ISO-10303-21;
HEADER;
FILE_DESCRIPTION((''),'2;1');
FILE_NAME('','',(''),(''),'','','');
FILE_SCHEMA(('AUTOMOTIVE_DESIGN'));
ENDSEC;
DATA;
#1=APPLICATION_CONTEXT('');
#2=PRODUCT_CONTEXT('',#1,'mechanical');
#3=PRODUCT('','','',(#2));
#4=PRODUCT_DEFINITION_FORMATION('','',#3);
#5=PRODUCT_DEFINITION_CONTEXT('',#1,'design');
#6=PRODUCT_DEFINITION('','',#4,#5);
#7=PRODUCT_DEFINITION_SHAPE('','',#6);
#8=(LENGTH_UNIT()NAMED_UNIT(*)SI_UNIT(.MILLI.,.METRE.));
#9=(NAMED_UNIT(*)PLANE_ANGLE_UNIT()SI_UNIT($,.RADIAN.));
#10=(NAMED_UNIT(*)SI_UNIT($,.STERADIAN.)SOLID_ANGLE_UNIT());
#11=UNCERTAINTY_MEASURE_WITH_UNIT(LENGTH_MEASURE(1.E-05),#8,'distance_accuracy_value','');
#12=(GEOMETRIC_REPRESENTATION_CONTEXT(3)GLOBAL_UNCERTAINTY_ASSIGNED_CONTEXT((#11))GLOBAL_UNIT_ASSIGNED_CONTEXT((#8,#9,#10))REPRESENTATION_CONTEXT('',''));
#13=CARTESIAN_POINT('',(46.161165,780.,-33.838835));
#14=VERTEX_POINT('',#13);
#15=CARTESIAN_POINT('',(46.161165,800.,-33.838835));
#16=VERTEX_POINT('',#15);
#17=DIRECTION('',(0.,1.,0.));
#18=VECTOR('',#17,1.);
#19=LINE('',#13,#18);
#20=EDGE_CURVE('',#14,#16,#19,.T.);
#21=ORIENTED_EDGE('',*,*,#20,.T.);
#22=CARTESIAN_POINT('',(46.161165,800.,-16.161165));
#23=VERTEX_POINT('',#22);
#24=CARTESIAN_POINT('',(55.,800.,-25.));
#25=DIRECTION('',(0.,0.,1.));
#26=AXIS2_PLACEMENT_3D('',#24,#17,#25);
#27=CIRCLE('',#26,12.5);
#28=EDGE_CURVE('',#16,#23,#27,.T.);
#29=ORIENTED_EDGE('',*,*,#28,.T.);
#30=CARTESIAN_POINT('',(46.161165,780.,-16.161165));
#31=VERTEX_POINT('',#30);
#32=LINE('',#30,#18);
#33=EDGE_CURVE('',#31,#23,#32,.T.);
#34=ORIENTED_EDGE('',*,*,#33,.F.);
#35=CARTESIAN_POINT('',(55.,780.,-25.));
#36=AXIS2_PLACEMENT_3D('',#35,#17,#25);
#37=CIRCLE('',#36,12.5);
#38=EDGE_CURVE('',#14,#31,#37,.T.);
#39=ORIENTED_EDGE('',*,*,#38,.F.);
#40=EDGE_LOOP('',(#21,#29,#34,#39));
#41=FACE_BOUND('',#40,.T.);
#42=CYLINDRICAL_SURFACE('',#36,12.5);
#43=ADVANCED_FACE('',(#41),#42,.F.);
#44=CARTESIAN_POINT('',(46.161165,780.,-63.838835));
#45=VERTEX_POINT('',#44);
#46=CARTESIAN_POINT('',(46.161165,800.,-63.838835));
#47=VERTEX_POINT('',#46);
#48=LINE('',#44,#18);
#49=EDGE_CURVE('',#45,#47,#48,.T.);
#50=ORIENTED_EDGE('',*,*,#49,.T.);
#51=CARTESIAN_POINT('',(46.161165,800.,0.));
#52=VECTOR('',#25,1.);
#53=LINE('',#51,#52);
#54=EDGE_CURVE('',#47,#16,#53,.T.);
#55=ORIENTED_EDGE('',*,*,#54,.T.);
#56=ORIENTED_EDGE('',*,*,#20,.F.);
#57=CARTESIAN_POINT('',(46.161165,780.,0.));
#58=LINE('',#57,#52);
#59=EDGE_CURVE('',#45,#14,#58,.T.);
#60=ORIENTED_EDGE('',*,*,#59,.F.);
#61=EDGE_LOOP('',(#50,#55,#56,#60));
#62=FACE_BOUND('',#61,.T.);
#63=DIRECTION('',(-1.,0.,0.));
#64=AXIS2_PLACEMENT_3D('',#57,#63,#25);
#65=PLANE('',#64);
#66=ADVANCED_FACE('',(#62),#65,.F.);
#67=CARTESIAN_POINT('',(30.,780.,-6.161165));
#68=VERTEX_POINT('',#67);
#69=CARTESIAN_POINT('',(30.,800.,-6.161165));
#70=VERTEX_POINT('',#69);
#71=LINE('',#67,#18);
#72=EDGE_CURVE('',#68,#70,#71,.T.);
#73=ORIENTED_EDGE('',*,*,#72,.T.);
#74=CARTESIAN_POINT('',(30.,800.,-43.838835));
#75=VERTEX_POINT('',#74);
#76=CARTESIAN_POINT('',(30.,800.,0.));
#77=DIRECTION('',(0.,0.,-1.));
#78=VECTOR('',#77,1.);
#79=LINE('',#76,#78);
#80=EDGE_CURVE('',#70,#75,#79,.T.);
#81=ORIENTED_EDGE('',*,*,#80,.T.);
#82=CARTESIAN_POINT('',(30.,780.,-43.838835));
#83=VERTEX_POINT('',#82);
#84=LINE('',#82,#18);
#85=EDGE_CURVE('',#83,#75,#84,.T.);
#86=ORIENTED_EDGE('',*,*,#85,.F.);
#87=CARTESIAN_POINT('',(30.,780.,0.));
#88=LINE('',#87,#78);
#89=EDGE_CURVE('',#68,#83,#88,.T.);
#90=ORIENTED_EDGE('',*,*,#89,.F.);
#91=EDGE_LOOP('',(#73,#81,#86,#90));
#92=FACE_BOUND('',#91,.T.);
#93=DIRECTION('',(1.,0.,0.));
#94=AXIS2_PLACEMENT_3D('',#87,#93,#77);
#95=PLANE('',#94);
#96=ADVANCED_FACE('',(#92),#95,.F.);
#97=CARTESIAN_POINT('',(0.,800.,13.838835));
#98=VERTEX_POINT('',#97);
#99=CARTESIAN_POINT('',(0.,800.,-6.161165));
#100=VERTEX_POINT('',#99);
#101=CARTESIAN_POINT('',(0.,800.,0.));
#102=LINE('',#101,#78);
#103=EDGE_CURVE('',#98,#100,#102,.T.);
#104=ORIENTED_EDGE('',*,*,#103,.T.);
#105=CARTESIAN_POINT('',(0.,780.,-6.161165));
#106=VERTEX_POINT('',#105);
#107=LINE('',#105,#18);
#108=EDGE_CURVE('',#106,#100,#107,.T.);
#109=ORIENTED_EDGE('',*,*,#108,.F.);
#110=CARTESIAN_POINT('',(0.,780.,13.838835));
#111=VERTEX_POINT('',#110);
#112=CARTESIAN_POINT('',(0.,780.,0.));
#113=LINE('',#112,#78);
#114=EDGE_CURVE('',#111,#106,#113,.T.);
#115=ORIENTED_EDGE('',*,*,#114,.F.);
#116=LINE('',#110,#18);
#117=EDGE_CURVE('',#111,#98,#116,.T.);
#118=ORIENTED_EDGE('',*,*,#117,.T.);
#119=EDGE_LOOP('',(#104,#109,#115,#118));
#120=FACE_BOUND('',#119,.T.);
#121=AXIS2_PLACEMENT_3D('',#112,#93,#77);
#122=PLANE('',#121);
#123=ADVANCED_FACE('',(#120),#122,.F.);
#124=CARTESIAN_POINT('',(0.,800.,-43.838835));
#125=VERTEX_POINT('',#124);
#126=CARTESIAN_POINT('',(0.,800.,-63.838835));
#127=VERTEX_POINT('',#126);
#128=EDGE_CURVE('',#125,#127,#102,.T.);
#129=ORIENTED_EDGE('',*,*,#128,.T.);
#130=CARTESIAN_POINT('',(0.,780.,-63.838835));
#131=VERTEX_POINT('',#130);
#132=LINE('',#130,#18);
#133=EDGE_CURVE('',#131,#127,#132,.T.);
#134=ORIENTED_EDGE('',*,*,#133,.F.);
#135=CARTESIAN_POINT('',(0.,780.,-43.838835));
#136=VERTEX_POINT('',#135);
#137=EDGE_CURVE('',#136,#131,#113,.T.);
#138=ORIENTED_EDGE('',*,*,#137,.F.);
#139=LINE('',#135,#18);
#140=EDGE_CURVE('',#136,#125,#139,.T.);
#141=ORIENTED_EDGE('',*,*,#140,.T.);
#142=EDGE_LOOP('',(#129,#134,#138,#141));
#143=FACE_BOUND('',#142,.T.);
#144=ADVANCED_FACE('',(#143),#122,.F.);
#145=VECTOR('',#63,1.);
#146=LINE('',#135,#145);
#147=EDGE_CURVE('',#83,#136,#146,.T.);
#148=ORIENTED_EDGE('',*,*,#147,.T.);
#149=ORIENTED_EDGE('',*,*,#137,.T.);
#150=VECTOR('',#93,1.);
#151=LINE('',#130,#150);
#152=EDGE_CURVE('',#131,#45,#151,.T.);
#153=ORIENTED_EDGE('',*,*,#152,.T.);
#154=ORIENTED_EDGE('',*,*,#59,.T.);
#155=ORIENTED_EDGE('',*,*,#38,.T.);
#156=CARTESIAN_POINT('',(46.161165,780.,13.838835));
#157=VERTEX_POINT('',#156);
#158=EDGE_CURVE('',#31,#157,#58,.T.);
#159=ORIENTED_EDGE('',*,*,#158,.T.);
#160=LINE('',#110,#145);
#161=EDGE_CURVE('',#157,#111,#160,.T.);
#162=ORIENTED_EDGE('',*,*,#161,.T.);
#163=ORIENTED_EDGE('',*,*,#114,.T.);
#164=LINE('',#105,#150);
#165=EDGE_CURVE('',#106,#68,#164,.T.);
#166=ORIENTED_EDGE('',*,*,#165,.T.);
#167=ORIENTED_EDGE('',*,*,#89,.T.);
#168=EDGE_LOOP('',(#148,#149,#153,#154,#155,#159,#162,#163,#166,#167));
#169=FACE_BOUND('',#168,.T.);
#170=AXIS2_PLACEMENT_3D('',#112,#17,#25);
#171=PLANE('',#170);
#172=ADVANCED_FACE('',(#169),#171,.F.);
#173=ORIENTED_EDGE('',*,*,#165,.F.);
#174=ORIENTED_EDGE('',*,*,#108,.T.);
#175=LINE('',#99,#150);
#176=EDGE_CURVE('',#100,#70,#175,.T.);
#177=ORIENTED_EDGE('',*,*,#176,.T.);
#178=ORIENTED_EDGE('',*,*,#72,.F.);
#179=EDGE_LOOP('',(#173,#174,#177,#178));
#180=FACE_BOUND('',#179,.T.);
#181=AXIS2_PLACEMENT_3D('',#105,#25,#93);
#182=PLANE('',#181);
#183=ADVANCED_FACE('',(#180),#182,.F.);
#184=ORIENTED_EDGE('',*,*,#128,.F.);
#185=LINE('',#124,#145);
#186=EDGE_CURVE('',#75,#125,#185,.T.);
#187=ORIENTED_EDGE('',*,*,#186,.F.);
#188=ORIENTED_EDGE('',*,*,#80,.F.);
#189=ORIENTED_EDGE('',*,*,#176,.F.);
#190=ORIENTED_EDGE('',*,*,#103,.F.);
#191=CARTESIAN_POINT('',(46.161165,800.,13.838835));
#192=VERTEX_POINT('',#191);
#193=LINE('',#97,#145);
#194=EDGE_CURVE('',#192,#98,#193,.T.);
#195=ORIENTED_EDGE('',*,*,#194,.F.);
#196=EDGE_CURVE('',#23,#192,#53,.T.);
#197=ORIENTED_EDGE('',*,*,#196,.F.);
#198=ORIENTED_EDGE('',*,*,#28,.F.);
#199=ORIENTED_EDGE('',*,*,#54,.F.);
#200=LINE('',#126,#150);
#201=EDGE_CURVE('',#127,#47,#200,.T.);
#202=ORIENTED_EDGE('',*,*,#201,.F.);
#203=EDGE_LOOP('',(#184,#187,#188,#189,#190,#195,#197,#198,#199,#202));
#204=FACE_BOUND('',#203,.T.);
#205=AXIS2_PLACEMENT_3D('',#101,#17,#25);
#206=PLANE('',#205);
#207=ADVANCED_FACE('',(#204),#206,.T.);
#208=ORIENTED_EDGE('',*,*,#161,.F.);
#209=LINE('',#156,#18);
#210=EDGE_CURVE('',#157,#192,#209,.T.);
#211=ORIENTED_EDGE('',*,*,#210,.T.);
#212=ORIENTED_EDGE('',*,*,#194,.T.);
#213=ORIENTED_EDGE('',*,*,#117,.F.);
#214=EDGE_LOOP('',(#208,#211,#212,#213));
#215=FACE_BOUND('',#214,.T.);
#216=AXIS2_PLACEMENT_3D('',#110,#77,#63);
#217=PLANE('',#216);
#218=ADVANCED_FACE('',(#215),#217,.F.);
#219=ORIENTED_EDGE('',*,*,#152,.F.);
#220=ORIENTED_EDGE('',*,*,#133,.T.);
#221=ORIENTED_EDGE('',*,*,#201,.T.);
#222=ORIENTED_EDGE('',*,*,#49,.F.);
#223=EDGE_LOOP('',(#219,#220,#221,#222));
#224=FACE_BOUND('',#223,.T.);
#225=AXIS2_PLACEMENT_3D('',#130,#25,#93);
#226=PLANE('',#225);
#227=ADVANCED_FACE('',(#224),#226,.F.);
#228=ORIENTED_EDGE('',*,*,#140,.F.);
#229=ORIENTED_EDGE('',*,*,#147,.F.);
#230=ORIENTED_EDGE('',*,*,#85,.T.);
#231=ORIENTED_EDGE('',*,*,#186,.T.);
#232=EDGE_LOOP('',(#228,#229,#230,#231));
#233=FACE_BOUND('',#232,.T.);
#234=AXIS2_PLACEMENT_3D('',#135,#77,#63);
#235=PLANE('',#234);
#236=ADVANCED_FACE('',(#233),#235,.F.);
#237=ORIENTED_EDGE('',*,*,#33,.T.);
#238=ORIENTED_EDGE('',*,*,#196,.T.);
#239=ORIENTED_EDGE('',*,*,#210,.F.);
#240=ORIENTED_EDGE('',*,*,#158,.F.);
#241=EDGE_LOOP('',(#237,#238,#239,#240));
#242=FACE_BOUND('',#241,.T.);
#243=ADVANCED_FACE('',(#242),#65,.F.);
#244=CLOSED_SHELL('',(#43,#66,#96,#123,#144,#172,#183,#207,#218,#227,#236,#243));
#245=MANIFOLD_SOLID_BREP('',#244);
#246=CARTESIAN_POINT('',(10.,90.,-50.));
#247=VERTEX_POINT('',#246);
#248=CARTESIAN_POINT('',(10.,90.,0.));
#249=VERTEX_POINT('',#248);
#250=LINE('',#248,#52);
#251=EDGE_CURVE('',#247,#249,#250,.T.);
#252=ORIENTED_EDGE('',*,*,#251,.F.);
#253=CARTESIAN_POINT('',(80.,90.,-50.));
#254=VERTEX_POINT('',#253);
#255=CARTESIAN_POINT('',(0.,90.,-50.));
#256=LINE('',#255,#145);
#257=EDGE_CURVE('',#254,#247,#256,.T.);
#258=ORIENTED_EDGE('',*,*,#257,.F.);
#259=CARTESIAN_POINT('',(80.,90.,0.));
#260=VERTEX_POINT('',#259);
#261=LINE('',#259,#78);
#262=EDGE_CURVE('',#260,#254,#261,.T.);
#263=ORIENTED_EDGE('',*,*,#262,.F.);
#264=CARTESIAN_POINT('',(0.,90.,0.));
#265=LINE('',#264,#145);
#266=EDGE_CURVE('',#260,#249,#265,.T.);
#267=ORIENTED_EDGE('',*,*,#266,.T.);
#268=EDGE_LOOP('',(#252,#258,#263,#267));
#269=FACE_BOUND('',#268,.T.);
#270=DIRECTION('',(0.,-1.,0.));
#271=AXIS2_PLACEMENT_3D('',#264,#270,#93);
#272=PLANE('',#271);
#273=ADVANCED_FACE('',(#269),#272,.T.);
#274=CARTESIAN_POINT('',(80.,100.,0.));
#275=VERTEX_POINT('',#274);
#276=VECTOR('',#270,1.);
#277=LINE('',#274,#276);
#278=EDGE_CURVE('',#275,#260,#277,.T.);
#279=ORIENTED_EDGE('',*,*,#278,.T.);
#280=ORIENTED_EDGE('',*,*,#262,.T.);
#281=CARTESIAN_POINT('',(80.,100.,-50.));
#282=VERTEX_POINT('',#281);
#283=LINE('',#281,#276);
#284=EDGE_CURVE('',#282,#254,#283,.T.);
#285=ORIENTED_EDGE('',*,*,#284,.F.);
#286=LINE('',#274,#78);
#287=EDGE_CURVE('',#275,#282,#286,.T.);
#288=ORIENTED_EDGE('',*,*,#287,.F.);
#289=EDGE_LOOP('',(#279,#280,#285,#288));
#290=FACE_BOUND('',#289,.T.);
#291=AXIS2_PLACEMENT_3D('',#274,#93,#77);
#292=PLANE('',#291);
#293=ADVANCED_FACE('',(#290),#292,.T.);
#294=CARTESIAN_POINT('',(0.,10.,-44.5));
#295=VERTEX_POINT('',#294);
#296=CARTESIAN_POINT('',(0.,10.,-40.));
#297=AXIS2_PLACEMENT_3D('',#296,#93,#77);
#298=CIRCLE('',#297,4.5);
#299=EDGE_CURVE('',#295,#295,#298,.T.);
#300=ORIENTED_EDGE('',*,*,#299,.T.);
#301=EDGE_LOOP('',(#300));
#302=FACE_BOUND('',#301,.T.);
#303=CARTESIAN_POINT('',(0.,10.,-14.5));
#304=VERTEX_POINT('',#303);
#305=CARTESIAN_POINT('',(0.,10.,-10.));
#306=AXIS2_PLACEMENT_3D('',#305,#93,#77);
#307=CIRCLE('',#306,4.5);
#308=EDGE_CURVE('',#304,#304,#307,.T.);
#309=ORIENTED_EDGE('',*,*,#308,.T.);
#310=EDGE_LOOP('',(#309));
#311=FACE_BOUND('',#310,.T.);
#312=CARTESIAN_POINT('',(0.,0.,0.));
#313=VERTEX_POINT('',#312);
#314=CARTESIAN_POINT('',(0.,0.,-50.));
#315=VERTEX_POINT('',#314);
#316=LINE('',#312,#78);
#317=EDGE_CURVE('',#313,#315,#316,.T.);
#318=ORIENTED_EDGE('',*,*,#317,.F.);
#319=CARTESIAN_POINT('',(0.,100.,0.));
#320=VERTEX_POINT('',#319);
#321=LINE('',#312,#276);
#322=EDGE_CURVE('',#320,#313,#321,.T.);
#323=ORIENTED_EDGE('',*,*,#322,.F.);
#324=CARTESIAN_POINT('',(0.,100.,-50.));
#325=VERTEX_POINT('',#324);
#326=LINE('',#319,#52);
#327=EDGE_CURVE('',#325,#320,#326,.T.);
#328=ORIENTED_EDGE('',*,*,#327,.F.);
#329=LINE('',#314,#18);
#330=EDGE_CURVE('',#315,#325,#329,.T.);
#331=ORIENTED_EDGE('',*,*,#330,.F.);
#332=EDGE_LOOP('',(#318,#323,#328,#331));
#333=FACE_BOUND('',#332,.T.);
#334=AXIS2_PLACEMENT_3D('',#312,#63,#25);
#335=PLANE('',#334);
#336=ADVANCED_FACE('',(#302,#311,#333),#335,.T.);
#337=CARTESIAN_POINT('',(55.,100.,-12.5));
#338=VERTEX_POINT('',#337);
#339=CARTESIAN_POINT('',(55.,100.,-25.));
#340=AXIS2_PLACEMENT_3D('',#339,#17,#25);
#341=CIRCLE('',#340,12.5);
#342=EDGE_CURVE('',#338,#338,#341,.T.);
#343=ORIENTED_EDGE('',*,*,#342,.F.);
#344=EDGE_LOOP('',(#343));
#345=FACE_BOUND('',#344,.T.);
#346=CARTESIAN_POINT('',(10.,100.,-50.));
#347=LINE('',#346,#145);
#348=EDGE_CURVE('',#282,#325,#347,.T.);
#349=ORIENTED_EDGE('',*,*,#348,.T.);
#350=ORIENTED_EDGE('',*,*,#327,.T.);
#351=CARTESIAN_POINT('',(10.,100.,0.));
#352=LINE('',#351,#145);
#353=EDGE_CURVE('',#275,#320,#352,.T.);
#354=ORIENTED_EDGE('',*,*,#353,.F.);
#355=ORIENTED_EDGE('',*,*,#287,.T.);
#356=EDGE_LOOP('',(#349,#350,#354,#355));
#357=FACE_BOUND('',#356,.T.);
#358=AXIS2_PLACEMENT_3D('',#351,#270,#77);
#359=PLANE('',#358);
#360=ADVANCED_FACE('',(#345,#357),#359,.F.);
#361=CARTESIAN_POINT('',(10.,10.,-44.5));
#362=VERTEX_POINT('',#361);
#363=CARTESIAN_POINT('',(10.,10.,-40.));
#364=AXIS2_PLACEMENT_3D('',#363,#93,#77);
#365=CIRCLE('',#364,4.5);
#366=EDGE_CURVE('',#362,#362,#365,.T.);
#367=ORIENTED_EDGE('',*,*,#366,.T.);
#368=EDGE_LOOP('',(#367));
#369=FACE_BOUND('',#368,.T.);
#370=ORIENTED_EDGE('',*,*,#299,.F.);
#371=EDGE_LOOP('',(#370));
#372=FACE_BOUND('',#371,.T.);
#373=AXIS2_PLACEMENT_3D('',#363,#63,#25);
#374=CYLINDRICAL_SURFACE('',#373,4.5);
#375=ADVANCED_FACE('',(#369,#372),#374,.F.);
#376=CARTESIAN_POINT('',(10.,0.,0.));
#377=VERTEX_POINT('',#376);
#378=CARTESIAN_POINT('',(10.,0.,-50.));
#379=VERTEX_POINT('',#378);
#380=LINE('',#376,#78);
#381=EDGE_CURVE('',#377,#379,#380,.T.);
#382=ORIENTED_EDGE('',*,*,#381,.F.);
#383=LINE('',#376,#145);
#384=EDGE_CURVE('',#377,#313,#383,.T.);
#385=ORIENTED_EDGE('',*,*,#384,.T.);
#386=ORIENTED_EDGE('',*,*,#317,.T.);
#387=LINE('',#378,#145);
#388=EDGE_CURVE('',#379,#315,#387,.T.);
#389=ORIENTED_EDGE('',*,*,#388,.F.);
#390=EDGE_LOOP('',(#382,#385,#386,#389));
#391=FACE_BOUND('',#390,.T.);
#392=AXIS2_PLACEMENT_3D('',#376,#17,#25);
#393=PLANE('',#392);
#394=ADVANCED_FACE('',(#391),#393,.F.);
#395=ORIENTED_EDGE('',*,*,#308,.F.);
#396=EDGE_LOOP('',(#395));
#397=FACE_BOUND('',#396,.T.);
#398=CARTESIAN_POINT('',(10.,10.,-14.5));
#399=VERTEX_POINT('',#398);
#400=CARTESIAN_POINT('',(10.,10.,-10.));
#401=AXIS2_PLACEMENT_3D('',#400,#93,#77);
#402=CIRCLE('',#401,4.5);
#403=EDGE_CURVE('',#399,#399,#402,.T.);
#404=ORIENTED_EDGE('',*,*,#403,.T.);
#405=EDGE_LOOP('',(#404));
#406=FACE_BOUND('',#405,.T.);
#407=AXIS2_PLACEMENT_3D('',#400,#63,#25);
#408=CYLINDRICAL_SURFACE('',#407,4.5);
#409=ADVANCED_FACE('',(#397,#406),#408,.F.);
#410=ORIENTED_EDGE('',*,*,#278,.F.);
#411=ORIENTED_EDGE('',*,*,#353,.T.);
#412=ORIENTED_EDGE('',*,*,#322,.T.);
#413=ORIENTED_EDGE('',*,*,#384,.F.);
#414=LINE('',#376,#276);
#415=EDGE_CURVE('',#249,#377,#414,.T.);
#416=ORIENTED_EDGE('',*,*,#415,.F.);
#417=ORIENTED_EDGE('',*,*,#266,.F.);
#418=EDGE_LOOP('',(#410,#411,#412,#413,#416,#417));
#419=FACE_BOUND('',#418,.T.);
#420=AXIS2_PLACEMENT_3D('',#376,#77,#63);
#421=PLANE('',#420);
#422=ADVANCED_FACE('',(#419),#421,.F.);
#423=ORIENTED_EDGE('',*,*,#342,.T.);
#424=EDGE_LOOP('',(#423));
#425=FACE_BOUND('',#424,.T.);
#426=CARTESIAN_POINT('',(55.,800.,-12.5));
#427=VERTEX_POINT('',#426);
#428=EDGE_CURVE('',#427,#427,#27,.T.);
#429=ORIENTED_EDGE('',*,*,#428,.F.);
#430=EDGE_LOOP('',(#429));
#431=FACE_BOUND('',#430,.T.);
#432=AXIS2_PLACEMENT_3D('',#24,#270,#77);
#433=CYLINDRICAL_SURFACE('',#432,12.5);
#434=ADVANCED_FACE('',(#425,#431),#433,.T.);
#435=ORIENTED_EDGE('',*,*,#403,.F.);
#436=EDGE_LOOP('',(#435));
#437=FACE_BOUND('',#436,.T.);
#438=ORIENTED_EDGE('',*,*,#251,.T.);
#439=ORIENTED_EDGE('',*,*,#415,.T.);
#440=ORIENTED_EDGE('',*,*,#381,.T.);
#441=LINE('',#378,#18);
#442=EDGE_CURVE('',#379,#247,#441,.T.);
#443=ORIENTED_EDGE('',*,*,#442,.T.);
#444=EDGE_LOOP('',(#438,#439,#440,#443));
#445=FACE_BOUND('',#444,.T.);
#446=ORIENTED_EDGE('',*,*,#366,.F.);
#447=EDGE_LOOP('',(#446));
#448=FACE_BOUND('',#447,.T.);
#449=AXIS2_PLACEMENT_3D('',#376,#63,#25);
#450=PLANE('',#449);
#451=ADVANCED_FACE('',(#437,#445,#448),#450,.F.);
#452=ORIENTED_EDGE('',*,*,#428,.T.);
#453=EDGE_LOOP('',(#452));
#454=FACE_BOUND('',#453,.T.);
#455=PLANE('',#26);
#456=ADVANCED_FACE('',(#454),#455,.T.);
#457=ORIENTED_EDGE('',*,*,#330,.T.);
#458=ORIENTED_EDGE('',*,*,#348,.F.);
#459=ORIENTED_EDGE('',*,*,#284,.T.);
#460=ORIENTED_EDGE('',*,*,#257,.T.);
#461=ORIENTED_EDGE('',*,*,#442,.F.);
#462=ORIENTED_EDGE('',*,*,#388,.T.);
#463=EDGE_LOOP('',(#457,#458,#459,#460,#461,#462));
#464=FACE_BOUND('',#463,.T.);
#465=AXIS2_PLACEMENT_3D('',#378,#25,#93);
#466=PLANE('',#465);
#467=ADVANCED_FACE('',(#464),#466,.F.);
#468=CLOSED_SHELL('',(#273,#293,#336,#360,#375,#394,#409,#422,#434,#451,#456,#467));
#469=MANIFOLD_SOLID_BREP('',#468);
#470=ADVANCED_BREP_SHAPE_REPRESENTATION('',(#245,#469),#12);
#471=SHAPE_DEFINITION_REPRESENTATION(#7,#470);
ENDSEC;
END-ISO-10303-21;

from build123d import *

# Parameters (mm, degrees)
SZKIC1_W                    = 50
SZKIC1_H                    = 100
SZKIC1_R                    = 4.5
DODANIE_WYCI_GNI_CIE1_DEPTH = 10
SZKIC2_W                    = 80
SZKIC2_H                    = 10
DODANIE_WYCI_GNI_CIE2_DEPTH = 50
SZKIC3_R                    = 12.5
DODANIE_WYCI_GNI_CIE3_DEPTH = 700
DODANIE_WYCI_GNI_CIE4_DEPTH = 20


with BuildPart() as part:
    # Szkic1 → Dodanie-wyciągnięcie1 (new body)
    with BuildSketch(Plane(origin=(0, 0, 0), x_dir=(0, 0, -1), z_dir=(1, 0, 0))):
        with Locations((25, 50)):
            Rectangle(SZKIC1_W, SZKIC1_H)
        with Locations((10, 10)):
            Circle(SZKIC1_R, mode=Mode.SUBTRACT)
        with Locations((40, 10)):
            Circle(SZKIC1_R, mode=Mode.SUBTRACT)
    extrude(amount=DODANIE_WYCI_GNI_CIE1_DEPTH)

    # Szkic2 → Dodanie-wyciągnięcie2 (add)
    with BuildSketch(Plane(origin=(0, 0, -50), x_dir=(-1, 0, 0), z_dir=(0, 0, -1))):
        with Locations((-40, 95)):
            Rectangle(SZKIC2_W, SZKIC2_H)
    extrude(amount=-DODANIE_WYCI_GNI_CIE2_DEPTH)

    # Szkic3 → Dodanie-wyciągnięcie3 (add)
    with BuildSketch(Plane(origin=(0, 100, 0), x_dir=(1, 0, 0), z_dir=(0, 1, 0))):
        with Locations(Location((55, 25, 0), (0, 0, 270))):
            Circle(SZKIC3_R)
    extrude(amount=DODANIE_WYCI_GNI_CIE3_DEPTH)


with BuildPart() as body_2:
    # Szkic4 → Dodanie-wyciągnięcie4 (new body)
    with BuildSketch(Plane(origin=(0, 800, 0), x_dir=(1, 0, 0), z_dir=(0, 1, 0))):
        with BuildLine():
            Line((46.161165235, -13.838834765), (46.161165235, 16.161165235))
            ThreePointArc((46.161165235, 16.161165235), (42.5, 25), (46.161165235, 33.838834765))
            Line((46.161165235, 33.838834765), (46.161165235, 63.838834765))
            Line((46.161165235, 63.838834765), (0, 63.838834765))
            Line((0, 63.838834765), (0, 43.838834765))
            Line((0, 43.838834765), (30, 43.838834765))
            Line((30, 43.838834765), (30, 6.161165235))
            Line((30, 6.161165235), (0, 6.161165235))
            Line((0, 6.161165235), (0, -13.838834765))
            Line((0, -13.838834765), (46.161165235, -13.838834765))
        make_face()
    extrude(amount=-DODANIE_WYCI_GNI_CIE4_DEPTH)


solid = Compound([part.part, body_2.part])
